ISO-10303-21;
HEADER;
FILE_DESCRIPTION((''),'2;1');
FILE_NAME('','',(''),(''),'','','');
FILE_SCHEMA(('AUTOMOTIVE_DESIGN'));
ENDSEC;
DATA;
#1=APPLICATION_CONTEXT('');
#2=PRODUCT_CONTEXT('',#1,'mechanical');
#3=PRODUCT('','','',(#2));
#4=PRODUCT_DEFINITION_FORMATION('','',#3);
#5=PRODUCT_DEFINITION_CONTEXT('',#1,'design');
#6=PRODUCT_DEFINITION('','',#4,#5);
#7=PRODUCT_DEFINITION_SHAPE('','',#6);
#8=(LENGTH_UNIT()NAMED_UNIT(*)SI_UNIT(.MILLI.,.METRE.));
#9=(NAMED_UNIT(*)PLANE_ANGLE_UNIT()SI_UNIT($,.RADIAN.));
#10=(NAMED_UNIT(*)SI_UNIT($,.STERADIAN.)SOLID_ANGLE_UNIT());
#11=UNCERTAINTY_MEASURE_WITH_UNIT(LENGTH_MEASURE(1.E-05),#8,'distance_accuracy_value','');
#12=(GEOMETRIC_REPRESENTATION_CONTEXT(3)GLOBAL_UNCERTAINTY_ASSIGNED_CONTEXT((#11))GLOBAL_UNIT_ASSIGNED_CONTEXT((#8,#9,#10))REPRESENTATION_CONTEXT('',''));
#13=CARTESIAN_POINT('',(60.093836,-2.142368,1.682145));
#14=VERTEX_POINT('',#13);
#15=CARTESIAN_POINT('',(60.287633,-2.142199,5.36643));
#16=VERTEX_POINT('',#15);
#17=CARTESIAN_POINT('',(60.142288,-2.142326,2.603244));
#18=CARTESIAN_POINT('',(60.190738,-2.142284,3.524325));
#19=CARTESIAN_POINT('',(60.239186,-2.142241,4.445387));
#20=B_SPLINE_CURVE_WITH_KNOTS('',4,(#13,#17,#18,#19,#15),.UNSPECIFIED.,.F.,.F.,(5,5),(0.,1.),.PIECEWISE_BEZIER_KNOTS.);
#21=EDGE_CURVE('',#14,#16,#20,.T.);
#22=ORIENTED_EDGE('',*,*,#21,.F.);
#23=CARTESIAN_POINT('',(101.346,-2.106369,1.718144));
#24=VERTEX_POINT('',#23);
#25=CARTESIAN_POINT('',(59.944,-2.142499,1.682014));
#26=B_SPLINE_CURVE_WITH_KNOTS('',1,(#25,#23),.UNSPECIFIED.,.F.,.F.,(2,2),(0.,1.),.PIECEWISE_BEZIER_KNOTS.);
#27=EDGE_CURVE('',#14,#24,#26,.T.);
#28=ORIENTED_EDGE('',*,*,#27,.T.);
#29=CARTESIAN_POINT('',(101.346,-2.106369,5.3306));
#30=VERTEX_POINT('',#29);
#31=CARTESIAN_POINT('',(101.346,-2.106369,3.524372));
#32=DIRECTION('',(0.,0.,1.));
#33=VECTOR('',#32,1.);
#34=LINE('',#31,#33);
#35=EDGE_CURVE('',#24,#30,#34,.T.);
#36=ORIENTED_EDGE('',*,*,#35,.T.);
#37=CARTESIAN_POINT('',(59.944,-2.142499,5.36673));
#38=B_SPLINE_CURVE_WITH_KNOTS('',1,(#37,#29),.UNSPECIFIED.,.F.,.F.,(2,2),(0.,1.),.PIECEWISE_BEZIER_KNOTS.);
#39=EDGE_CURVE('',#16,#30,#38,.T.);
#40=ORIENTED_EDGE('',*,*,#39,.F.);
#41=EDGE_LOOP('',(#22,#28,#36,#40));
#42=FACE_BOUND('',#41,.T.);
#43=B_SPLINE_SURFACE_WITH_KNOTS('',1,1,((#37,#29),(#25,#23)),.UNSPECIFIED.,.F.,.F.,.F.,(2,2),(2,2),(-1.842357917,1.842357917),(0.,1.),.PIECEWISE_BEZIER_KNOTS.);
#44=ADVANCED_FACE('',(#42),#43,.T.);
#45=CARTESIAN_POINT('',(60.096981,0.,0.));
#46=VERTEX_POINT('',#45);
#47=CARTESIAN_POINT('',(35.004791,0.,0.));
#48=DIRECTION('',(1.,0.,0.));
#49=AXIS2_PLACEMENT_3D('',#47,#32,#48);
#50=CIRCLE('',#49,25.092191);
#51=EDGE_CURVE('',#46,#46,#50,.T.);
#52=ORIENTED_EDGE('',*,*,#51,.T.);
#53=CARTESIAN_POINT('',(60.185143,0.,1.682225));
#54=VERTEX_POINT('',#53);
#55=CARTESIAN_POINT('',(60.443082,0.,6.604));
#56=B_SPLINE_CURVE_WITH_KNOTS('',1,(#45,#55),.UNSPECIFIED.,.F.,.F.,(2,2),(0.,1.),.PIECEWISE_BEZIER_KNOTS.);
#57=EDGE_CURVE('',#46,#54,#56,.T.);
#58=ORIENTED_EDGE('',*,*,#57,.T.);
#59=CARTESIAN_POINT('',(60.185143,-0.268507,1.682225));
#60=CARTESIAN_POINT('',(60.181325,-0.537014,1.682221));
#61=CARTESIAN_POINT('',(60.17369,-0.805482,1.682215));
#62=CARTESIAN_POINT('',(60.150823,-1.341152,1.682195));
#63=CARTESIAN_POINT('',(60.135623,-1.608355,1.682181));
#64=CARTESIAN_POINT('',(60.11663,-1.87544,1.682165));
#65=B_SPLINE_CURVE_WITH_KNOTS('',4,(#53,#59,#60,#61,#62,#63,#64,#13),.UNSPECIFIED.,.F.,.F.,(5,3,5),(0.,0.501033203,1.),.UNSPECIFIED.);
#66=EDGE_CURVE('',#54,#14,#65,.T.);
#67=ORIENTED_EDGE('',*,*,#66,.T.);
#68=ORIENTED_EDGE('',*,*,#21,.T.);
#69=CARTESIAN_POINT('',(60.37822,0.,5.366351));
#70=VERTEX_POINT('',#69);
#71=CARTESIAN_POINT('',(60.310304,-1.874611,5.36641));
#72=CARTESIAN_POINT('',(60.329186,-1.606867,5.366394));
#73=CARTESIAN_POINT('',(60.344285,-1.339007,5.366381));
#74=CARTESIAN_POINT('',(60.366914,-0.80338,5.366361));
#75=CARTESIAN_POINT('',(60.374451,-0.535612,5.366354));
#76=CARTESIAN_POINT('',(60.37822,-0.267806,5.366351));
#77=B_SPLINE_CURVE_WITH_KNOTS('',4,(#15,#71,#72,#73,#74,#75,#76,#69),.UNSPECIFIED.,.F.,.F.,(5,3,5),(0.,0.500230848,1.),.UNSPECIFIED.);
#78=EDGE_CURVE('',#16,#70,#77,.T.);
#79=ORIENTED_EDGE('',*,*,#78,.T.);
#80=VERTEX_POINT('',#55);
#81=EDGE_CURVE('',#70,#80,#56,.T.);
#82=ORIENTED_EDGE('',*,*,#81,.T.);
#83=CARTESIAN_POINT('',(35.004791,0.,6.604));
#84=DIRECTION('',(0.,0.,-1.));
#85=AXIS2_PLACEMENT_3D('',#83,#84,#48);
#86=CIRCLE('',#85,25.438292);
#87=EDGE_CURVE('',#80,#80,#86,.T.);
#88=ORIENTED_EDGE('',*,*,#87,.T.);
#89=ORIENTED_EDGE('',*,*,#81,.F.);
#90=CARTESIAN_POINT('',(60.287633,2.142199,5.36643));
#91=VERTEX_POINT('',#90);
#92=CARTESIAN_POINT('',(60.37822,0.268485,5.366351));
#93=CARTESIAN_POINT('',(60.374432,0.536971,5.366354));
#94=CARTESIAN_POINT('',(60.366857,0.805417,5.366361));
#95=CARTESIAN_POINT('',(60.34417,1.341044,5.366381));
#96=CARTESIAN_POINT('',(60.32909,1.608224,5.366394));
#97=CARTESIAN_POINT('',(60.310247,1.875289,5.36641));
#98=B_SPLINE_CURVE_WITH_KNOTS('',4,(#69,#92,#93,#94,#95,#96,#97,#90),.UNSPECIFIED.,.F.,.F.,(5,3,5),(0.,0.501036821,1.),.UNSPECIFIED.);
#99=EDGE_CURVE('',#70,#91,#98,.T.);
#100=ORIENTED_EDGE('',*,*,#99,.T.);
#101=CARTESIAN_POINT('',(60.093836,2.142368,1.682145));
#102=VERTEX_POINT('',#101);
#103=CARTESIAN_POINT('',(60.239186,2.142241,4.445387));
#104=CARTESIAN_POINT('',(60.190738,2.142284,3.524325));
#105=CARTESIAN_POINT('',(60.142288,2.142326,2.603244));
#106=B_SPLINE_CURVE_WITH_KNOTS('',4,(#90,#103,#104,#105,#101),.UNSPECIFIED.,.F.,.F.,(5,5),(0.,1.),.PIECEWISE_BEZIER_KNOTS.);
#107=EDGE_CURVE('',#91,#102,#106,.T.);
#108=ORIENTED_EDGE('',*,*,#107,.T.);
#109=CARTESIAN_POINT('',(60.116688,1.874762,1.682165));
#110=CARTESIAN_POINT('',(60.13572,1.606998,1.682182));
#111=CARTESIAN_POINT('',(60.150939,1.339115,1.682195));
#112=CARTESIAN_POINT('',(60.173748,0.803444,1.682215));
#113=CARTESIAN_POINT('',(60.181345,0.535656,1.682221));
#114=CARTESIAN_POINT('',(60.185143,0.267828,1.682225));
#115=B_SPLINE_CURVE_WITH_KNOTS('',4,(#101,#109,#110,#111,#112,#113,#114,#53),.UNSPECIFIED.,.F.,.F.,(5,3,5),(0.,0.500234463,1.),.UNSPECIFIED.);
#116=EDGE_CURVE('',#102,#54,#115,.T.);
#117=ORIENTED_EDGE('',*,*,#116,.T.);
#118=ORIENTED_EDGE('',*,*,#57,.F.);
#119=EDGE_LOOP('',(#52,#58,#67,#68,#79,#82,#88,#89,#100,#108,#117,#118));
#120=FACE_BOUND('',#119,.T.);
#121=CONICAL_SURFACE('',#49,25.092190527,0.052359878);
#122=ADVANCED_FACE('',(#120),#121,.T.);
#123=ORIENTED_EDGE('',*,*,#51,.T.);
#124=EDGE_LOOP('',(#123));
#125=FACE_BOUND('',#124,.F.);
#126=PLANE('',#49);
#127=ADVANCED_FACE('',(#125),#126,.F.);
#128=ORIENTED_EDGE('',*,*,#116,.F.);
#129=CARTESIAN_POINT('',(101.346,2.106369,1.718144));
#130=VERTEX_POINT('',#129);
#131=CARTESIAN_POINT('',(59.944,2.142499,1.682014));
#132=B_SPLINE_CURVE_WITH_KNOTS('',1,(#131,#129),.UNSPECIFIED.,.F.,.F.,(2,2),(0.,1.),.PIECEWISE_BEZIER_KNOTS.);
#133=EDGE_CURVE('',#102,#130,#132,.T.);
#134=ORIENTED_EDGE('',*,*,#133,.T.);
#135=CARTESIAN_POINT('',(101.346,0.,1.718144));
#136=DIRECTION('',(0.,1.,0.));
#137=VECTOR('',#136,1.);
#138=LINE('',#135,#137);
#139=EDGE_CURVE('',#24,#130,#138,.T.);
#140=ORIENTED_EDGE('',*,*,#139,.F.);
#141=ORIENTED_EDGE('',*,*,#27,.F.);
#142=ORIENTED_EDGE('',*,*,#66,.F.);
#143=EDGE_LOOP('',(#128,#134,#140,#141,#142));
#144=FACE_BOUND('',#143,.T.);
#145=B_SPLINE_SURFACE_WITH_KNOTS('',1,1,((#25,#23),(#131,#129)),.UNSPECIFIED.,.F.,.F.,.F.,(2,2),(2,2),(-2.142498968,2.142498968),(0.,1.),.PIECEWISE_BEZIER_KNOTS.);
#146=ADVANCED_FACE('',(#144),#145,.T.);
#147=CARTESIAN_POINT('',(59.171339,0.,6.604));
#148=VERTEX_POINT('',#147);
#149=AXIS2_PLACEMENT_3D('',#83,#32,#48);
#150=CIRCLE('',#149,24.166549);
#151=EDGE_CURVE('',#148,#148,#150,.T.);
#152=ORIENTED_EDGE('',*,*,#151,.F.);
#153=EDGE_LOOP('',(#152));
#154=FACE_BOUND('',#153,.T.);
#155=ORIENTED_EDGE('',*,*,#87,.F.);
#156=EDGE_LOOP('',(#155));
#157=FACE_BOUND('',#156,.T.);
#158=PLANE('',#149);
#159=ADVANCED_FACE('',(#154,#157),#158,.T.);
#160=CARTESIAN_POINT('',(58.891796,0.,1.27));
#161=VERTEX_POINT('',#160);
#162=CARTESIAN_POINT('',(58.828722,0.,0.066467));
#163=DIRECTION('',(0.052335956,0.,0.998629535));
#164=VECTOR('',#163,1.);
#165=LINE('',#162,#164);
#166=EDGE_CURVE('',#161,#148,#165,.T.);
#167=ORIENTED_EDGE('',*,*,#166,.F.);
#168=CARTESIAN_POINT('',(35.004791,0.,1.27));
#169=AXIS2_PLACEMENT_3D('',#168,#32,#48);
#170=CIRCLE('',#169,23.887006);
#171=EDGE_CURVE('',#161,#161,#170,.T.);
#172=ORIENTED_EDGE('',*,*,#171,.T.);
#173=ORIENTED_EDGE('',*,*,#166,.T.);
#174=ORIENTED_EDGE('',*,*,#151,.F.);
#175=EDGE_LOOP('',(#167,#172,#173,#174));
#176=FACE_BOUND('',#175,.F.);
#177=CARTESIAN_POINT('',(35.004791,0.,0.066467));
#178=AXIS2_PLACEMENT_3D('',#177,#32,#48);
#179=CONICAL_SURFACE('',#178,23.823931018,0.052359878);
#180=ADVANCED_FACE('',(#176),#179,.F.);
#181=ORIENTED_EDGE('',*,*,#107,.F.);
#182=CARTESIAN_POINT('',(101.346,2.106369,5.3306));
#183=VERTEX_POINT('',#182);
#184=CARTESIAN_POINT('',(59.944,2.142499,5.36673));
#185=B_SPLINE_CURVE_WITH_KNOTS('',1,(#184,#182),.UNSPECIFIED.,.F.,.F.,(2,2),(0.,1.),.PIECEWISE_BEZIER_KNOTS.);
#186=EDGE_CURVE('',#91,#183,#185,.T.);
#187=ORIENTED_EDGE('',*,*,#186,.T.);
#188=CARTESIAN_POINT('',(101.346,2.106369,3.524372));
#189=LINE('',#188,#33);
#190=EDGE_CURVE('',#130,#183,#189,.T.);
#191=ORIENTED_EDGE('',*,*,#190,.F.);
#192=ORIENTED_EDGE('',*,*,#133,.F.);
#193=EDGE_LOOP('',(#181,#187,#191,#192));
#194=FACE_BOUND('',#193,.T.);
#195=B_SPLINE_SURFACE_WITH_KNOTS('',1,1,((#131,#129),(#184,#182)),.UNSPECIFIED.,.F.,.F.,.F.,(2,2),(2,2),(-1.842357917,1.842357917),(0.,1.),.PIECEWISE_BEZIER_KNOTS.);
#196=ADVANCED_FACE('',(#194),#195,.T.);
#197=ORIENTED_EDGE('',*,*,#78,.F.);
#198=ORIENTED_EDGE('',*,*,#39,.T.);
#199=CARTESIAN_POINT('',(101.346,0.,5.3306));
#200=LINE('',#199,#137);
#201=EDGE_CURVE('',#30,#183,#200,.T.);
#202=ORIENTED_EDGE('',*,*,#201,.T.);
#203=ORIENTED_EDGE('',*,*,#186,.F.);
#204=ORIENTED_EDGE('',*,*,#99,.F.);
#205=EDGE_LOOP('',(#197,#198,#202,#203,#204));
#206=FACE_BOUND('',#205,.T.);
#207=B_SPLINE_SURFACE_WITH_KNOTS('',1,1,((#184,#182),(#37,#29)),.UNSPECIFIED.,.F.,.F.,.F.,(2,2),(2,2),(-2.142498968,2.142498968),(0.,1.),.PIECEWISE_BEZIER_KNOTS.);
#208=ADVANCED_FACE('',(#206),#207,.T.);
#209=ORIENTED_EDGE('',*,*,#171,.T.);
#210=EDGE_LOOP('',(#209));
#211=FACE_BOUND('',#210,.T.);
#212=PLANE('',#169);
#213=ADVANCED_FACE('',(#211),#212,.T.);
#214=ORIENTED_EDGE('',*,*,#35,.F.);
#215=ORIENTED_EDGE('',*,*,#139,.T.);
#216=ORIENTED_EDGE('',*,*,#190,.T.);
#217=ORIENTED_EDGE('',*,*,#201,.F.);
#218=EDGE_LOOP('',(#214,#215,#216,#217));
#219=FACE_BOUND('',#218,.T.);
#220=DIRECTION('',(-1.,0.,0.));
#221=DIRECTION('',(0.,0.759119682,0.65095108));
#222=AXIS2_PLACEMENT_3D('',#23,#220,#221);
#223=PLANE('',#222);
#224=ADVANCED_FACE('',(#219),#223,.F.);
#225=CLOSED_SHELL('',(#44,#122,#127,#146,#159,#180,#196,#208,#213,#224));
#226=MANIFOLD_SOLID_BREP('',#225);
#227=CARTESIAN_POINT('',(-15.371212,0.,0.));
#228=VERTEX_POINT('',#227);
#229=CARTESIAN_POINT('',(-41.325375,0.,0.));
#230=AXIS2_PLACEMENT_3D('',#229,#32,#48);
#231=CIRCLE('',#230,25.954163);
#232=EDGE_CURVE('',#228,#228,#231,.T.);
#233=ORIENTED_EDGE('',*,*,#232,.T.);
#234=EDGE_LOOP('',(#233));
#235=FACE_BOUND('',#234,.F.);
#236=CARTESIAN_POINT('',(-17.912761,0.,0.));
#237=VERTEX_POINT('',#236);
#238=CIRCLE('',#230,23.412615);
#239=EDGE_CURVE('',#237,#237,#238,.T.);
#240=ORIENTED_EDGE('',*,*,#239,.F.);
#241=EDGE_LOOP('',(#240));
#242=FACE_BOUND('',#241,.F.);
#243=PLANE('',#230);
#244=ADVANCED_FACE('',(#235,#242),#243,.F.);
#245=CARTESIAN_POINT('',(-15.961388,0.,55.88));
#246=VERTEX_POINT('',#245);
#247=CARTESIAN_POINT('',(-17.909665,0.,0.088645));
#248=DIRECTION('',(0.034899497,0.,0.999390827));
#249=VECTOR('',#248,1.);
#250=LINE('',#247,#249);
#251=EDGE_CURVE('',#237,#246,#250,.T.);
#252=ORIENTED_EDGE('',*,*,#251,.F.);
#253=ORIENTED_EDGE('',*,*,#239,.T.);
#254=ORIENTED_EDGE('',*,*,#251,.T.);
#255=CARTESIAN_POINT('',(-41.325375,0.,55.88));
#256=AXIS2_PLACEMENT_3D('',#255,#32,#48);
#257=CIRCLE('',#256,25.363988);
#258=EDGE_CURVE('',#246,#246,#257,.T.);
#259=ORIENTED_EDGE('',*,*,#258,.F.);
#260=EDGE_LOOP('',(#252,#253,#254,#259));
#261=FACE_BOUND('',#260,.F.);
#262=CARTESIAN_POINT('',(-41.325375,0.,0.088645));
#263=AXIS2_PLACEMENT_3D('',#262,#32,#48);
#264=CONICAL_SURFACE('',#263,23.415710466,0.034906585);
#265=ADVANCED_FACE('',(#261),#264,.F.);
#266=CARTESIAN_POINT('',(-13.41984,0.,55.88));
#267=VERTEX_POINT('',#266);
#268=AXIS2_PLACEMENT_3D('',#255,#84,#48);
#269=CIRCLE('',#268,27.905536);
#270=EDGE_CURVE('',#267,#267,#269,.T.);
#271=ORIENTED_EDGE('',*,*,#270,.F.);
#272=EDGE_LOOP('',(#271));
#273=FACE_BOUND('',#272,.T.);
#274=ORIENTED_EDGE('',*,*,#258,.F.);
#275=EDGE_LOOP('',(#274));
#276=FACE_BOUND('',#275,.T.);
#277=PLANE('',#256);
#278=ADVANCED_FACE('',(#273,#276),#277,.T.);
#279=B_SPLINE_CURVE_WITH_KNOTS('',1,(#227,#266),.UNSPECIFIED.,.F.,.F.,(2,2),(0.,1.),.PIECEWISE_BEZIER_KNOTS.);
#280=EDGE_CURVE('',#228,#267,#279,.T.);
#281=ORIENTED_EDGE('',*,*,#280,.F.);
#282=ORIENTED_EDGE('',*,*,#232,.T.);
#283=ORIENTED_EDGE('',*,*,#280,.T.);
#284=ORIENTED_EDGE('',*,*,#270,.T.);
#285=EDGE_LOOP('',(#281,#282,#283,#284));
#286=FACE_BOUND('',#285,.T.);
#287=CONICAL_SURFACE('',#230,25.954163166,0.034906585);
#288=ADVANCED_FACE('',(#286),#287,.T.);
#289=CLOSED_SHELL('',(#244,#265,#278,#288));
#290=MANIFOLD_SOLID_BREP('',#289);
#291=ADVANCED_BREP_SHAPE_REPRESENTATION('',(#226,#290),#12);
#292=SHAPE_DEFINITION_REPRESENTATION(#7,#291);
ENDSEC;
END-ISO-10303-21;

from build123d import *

# Parameters (mm, degrees)
F0_R     = 25.0921905271
F1_DEPTH = 6.604
F1_TAPER = -3
F2_T     = -1.27
F4_W     = 4.2849979363
F4_H     = 3.6847158335
F5_DEPTH = 41.402
F5_TAPER = 0.05
F6_R     = 25.9541631664
F7_DEPTH = 55.88
F7_TAPER = -2
F8_T     = -2.54


with BuildPart() as f1:
    # F0 (on Top) → F1 (new body)
    with BuildSketch(Plane.XY):
        with Locations((35.0047908723, 0)):
            Circle(F0_R)
    extrude(amount=F1_DEPTH, taper=F1_TAPER)

    # F2
    f2_openings = [f1.faces().sort_by_distance(p)[0] for p in [
        (35.004791, 0, 6.604),
    ]]
    offset(amount=F2_T, openings=f2_openings, kind=Kind.INTERSECTION)

    # F4 (on offset) → F5 (join)
    with BuildSketch(Plane.YZ.offset(59.944)):
        with Locations((0, 3.5243721213)):
            Rectangle(F4_W, F4_H)
    extrude(amount=F5_DEPTH, taper=F5_TAPER)


with BuildPart() as f7:
    # F6 (on Top) → F7 (new body)
    with BuildSketch(Plane.XY):
        with Locations((-41.3253754377, 0)):
            Circle(F6_R)
    extrude(amount=F7_DEPTH, taper=F7_TAPER)

    # F8
    f8_openings = [f7.faces().sort_by_distance(p)[0] for p in [
        (-41.325375, 0, 55.88),
        (-41.325375, 0, 0),
    ]]
    offset(amount=F8_T, openings=f8_openings, kind=Kind.INTERSECTION)


solid = Compound([f1.part, f7.part])
